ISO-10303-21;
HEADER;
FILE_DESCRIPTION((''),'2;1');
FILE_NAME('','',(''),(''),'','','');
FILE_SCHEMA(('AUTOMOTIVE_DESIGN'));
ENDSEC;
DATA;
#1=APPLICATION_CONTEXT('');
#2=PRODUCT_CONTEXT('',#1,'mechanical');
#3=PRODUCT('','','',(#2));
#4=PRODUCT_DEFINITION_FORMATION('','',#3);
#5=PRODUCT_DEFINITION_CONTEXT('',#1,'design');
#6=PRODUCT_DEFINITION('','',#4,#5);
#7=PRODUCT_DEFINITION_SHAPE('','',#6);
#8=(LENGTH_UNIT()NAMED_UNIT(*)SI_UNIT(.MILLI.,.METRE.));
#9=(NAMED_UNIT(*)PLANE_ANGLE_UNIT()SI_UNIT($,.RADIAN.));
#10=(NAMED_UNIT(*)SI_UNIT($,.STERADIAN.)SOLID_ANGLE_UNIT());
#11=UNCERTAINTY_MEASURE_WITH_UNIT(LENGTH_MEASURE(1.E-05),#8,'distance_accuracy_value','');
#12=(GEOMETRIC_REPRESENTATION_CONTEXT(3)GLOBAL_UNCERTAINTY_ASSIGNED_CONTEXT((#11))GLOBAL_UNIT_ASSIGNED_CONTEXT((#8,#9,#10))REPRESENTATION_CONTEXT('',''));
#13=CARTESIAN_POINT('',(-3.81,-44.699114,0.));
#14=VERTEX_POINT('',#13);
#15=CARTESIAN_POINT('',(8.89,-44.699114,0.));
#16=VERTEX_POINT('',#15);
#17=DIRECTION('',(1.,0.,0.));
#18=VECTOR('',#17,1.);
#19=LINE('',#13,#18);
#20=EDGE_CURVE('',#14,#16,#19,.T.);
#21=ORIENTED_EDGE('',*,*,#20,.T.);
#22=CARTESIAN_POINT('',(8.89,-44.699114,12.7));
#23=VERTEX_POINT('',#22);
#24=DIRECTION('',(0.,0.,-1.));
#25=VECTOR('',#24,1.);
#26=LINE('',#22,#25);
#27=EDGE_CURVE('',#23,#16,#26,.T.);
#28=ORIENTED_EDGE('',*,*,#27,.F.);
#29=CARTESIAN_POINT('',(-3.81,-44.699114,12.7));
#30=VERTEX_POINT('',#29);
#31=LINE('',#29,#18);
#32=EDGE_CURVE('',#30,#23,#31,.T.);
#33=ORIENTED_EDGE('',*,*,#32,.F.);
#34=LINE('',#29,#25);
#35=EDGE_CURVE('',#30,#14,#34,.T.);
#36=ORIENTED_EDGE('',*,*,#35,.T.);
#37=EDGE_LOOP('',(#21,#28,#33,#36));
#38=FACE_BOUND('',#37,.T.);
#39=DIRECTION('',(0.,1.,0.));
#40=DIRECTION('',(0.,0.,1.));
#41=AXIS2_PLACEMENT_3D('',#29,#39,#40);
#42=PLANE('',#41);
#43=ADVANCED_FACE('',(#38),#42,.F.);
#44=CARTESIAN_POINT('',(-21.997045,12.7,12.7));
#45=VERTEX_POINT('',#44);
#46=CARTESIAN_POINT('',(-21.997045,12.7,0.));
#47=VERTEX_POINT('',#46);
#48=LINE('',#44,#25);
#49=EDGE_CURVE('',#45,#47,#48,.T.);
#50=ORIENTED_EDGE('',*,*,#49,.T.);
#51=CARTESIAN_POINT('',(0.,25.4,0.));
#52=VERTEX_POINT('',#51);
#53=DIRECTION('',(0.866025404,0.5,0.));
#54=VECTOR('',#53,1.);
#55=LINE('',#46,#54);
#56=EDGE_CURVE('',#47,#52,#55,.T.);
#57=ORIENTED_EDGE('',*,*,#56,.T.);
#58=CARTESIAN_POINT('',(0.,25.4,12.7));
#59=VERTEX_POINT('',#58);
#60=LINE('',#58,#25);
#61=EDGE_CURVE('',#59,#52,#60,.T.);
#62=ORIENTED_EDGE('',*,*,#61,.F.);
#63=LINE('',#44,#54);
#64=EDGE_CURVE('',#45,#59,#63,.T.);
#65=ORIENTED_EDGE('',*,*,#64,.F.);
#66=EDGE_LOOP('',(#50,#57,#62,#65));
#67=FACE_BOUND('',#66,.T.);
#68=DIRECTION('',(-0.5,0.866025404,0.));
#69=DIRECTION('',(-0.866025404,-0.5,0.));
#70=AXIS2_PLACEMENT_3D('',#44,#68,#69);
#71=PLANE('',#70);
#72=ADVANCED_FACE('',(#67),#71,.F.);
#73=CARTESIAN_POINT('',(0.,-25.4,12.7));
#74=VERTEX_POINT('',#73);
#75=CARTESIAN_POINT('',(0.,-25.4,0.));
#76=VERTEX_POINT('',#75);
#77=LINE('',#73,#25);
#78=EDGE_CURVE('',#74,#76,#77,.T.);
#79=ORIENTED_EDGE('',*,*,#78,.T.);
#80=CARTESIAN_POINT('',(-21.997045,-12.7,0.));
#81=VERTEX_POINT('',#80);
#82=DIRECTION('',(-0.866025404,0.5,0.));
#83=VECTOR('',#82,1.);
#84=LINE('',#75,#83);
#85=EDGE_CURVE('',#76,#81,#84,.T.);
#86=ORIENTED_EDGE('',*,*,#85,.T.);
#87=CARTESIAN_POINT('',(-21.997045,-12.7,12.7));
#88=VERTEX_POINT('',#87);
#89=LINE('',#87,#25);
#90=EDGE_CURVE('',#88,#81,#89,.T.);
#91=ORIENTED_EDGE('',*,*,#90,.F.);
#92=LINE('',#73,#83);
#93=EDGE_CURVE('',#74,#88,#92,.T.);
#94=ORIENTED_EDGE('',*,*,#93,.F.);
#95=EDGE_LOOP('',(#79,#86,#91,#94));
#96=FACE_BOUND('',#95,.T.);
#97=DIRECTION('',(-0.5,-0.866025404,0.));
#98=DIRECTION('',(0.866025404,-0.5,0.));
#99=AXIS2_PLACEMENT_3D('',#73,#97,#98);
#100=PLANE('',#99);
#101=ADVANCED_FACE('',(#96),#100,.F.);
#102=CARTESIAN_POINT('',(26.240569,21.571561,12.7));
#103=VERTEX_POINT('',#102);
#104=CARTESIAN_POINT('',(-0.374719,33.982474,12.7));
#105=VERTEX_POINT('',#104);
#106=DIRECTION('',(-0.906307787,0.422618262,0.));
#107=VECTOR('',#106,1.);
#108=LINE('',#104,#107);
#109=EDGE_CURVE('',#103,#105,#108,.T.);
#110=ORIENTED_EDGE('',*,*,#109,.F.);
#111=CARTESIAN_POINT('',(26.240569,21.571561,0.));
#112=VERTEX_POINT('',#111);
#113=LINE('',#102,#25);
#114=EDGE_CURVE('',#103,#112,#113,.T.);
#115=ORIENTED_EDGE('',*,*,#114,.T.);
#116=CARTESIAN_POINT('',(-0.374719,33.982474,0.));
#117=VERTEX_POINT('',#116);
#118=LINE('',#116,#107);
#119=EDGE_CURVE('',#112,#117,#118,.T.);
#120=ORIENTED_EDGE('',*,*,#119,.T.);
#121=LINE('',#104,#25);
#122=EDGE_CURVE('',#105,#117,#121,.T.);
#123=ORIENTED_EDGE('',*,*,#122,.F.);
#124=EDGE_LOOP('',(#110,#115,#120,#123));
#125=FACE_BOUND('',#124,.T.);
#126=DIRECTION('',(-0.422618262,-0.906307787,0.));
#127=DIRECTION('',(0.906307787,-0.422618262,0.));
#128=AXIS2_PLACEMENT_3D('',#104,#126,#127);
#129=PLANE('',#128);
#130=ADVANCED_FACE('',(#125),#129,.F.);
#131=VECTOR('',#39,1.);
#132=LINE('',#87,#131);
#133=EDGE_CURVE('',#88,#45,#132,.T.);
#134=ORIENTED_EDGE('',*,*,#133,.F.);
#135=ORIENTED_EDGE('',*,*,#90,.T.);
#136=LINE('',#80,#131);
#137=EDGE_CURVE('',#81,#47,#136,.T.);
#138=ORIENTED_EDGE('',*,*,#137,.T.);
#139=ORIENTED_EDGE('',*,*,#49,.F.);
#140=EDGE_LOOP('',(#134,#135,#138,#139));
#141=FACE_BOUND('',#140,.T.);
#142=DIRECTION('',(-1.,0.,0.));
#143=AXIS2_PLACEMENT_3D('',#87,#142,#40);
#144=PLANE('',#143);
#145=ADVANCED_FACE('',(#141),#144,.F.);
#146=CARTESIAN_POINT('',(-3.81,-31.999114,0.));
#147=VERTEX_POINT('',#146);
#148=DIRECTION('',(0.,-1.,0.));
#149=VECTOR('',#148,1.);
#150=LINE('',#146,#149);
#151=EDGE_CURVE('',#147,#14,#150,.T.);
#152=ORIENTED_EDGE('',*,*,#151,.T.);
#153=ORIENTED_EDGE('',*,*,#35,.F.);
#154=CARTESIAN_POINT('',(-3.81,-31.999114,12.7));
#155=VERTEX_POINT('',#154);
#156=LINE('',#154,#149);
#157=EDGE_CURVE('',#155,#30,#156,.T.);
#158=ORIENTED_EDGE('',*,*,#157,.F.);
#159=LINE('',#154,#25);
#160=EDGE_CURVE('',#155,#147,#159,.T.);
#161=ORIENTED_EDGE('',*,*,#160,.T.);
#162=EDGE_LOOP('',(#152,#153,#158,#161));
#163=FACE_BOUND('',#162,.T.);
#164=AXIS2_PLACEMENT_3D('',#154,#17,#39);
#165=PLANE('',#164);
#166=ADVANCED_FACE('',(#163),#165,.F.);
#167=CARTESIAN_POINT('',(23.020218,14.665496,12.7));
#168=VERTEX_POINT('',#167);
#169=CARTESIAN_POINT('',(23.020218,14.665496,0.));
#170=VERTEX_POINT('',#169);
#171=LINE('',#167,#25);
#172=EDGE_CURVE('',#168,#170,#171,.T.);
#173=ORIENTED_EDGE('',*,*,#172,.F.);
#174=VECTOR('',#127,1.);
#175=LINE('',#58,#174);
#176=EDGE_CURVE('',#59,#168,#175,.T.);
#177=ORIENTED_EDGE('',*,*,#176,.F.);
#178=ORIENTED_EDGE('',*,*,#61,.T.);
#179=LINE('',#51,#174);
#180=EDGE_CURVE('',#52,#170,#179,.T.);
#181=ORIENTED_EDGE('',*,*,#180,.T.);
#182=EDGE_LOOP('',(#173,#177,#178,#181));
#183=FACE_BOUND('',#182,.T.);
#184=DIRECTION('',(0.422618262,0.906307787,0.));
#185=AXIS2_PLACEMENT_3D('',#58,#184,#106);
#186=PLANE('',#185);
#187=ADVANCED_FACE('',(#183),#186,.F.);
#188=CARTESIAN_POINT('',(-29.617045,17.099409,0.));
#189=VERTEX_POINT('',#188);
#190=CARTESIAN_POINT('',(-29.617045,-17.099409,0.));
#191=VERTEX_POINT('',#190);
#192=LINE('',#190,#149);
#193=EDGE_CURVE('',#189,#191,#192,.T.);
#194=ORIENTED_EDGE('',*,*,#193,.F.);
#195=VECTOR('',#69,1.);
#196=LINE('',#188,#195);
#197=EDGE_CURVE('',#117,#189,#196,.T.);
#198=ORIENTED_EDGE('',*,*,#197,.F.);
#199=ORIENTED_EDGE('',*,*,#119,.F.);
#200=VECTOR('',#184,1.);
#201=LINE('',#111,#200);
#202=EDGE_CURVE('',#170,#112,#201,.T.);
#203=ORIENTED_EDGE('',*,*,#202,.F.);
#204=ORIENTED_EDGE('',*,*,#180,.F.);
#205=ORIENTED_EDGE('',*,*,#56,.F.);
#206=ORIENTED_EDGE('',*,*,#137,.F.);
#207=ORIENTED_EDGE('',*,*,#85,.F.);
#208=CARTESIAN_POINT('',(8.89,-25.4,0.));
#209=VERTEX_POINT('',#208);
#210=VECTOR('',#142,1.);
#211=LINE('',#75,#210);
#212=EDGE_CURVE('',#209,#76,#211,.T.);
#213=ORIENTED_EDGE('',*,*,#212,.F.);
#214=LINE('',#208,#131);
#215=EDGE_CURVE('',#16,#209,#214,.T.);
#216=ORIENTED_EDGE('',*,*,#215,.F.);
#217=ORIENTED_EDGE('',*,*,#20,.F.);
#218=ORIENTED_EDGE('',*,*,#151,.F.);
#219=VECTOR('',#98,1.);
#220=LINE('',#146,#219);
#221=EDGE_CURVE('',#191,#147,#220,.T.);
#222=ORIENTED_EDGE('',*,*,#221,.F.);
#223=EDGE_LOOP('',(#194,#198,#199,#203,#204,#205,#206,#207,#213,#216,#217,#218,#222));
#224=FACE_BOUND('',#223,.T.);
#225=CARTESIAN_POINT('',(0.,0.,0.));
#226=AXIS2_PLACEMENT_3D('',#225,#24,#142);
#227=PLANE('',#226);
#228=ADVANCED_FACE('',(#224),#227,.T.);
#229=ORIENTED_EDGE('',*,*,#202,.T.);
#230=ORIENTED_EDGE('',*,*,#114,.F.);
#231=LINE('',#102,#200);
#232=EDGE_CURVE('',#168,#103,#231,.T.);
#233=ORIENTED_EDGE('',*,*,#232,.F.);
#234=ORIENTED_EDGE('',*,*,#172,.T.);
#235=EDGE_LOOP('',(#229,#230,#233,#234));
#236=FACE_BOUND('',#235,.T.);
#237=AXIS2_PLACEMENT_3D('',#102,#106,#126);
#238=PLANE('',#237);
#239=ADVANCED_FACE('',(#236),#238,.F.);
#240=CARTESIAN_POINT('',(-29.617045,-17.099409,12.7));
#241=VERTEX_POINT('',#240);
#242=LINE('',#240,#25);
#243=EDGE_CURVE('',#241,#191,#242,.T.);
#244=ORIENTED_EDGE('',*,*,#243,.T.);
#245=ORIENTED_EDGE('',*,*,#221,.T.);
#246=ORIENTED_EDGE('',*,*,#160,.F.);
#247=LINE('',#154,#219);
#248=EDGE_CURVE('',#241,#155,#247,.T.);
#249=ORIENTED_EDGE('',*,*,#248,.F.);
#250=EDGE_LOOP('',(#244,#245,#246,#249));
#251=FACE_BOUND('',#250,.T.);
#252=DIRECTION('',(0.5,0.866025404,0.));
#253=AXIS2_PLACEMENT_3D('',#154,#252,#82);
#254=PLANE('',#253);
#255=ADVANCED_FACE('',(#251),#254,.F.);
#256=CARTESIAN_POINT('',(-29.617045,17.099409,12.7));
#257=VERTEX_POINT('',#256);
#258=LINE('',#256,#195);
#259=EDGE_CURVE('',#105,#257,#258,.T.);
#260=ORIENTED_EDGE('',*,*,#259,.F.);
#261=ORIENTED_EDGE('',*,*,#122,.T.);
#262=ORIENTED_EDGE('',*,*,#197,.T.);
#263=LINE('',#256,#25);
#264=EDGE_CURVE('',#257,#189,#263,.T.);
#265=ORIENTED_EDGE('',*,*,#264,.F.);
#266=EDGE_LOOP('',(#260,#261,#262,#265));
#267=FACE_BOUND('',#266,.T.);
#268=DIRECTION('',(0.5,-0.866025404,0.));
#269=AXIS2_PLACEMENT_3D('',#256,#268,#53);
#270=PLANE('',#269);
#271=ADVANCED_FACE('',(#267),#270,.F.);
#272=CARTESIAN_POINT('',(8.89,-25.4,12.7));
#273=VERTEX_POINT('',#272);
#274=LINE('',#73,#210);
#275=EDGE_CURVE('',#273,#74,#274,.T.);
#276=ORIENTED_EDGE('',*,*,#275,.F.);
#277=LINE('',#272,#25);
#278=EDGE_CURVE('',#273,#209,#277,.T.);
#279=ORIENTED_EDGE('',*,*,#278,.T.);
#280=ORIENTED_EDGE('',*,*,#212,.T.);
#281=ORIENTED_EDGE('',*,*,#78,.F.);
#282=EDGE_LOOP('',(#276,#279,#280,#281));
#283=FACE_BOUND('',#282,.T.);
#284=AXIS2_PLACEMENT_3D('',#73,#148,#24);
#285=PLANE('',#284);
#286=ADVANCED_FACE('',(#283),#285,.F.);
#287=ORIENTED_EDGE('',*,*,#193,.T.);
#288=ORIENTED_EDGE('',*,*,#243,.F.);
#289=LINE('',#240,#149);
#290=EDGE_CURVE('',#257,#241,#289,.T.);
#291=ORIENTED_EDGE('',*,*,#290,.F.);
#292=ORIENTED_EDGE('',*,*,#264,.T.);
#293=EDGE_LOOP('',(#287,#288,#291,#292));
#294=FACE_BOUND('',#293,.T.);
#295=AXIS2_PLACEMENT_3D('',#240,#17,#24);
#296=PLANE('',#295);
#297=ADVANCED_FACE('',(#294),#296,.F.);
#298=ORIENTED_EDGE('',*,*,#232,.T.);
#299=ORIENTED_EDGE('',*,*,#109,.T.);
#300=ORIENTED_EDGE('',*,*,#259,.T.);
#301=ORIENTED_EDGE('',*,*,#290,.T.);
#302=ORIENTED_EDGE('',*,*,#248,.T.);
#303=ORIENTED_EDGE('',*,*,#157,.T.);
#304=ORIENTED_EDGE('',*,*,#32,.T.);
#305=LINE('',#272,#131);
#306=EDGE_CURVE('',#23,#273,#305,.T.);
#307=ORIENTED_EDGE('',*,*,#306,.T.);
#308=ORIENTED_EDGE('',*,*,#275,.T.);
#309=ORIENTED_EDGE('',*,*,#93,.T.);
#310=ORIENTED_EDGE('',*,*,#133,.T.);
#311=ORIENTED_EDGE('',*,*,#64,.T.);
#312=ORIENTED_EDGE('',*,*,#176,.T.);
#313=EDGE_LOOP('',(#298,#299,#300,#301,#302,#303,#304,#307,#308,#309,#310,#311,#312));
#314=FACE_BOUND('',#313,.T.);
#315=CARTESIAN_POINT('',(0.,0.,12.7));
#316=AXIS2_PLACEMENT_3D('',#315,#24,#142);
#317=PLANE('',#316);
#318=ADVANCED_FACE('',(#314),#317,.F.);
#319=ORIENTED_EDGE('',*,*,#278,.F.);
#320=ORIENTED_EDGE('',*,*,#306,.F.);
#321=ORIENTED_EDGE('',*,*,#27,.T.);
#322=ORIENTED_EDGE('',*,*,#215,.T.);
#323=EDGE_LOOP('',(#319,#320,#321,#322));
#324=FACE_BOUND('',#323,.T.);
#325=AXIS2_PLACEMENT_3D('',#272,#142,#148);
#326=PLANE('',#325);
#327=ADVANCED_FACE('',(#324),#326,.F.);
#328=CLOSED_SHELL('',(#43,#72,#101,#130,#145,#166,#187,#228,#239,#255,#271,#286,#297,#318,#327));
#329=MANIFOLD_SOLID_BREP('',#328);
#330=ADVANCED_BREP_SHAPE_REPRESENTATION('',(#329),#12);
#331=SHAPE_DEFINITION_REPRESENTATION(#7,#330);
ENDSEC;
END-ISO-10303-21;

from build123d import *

# Parameters (mm, degrees)
BOSS_EXTRUDE1_DEPTH = 12.7


with BuildPart() as part:
    # Sketch2 → Boss-Extrude1 (new body)
    with BuildSketch(Plane.XY):
        Polygon((0, -25.4), (-21.997045256, -12.7), (-21.997045256, 12.7), (0, 25.4), (23.020217791, 14.665496152), (26.240568945, 21.571561489), (-0.374718909, 33.982474039), (-29.617045256, 17.099409051), (-29.617045256, -17.099409051), (-3.81, -31.999113577), (-3.81, -44.699113577), (8.89, -44.699113577), (8.89, -25.4), align=None)
    extrude(amount=BOSS_EXTRUDE1_DEPTH)


solid = part.part
